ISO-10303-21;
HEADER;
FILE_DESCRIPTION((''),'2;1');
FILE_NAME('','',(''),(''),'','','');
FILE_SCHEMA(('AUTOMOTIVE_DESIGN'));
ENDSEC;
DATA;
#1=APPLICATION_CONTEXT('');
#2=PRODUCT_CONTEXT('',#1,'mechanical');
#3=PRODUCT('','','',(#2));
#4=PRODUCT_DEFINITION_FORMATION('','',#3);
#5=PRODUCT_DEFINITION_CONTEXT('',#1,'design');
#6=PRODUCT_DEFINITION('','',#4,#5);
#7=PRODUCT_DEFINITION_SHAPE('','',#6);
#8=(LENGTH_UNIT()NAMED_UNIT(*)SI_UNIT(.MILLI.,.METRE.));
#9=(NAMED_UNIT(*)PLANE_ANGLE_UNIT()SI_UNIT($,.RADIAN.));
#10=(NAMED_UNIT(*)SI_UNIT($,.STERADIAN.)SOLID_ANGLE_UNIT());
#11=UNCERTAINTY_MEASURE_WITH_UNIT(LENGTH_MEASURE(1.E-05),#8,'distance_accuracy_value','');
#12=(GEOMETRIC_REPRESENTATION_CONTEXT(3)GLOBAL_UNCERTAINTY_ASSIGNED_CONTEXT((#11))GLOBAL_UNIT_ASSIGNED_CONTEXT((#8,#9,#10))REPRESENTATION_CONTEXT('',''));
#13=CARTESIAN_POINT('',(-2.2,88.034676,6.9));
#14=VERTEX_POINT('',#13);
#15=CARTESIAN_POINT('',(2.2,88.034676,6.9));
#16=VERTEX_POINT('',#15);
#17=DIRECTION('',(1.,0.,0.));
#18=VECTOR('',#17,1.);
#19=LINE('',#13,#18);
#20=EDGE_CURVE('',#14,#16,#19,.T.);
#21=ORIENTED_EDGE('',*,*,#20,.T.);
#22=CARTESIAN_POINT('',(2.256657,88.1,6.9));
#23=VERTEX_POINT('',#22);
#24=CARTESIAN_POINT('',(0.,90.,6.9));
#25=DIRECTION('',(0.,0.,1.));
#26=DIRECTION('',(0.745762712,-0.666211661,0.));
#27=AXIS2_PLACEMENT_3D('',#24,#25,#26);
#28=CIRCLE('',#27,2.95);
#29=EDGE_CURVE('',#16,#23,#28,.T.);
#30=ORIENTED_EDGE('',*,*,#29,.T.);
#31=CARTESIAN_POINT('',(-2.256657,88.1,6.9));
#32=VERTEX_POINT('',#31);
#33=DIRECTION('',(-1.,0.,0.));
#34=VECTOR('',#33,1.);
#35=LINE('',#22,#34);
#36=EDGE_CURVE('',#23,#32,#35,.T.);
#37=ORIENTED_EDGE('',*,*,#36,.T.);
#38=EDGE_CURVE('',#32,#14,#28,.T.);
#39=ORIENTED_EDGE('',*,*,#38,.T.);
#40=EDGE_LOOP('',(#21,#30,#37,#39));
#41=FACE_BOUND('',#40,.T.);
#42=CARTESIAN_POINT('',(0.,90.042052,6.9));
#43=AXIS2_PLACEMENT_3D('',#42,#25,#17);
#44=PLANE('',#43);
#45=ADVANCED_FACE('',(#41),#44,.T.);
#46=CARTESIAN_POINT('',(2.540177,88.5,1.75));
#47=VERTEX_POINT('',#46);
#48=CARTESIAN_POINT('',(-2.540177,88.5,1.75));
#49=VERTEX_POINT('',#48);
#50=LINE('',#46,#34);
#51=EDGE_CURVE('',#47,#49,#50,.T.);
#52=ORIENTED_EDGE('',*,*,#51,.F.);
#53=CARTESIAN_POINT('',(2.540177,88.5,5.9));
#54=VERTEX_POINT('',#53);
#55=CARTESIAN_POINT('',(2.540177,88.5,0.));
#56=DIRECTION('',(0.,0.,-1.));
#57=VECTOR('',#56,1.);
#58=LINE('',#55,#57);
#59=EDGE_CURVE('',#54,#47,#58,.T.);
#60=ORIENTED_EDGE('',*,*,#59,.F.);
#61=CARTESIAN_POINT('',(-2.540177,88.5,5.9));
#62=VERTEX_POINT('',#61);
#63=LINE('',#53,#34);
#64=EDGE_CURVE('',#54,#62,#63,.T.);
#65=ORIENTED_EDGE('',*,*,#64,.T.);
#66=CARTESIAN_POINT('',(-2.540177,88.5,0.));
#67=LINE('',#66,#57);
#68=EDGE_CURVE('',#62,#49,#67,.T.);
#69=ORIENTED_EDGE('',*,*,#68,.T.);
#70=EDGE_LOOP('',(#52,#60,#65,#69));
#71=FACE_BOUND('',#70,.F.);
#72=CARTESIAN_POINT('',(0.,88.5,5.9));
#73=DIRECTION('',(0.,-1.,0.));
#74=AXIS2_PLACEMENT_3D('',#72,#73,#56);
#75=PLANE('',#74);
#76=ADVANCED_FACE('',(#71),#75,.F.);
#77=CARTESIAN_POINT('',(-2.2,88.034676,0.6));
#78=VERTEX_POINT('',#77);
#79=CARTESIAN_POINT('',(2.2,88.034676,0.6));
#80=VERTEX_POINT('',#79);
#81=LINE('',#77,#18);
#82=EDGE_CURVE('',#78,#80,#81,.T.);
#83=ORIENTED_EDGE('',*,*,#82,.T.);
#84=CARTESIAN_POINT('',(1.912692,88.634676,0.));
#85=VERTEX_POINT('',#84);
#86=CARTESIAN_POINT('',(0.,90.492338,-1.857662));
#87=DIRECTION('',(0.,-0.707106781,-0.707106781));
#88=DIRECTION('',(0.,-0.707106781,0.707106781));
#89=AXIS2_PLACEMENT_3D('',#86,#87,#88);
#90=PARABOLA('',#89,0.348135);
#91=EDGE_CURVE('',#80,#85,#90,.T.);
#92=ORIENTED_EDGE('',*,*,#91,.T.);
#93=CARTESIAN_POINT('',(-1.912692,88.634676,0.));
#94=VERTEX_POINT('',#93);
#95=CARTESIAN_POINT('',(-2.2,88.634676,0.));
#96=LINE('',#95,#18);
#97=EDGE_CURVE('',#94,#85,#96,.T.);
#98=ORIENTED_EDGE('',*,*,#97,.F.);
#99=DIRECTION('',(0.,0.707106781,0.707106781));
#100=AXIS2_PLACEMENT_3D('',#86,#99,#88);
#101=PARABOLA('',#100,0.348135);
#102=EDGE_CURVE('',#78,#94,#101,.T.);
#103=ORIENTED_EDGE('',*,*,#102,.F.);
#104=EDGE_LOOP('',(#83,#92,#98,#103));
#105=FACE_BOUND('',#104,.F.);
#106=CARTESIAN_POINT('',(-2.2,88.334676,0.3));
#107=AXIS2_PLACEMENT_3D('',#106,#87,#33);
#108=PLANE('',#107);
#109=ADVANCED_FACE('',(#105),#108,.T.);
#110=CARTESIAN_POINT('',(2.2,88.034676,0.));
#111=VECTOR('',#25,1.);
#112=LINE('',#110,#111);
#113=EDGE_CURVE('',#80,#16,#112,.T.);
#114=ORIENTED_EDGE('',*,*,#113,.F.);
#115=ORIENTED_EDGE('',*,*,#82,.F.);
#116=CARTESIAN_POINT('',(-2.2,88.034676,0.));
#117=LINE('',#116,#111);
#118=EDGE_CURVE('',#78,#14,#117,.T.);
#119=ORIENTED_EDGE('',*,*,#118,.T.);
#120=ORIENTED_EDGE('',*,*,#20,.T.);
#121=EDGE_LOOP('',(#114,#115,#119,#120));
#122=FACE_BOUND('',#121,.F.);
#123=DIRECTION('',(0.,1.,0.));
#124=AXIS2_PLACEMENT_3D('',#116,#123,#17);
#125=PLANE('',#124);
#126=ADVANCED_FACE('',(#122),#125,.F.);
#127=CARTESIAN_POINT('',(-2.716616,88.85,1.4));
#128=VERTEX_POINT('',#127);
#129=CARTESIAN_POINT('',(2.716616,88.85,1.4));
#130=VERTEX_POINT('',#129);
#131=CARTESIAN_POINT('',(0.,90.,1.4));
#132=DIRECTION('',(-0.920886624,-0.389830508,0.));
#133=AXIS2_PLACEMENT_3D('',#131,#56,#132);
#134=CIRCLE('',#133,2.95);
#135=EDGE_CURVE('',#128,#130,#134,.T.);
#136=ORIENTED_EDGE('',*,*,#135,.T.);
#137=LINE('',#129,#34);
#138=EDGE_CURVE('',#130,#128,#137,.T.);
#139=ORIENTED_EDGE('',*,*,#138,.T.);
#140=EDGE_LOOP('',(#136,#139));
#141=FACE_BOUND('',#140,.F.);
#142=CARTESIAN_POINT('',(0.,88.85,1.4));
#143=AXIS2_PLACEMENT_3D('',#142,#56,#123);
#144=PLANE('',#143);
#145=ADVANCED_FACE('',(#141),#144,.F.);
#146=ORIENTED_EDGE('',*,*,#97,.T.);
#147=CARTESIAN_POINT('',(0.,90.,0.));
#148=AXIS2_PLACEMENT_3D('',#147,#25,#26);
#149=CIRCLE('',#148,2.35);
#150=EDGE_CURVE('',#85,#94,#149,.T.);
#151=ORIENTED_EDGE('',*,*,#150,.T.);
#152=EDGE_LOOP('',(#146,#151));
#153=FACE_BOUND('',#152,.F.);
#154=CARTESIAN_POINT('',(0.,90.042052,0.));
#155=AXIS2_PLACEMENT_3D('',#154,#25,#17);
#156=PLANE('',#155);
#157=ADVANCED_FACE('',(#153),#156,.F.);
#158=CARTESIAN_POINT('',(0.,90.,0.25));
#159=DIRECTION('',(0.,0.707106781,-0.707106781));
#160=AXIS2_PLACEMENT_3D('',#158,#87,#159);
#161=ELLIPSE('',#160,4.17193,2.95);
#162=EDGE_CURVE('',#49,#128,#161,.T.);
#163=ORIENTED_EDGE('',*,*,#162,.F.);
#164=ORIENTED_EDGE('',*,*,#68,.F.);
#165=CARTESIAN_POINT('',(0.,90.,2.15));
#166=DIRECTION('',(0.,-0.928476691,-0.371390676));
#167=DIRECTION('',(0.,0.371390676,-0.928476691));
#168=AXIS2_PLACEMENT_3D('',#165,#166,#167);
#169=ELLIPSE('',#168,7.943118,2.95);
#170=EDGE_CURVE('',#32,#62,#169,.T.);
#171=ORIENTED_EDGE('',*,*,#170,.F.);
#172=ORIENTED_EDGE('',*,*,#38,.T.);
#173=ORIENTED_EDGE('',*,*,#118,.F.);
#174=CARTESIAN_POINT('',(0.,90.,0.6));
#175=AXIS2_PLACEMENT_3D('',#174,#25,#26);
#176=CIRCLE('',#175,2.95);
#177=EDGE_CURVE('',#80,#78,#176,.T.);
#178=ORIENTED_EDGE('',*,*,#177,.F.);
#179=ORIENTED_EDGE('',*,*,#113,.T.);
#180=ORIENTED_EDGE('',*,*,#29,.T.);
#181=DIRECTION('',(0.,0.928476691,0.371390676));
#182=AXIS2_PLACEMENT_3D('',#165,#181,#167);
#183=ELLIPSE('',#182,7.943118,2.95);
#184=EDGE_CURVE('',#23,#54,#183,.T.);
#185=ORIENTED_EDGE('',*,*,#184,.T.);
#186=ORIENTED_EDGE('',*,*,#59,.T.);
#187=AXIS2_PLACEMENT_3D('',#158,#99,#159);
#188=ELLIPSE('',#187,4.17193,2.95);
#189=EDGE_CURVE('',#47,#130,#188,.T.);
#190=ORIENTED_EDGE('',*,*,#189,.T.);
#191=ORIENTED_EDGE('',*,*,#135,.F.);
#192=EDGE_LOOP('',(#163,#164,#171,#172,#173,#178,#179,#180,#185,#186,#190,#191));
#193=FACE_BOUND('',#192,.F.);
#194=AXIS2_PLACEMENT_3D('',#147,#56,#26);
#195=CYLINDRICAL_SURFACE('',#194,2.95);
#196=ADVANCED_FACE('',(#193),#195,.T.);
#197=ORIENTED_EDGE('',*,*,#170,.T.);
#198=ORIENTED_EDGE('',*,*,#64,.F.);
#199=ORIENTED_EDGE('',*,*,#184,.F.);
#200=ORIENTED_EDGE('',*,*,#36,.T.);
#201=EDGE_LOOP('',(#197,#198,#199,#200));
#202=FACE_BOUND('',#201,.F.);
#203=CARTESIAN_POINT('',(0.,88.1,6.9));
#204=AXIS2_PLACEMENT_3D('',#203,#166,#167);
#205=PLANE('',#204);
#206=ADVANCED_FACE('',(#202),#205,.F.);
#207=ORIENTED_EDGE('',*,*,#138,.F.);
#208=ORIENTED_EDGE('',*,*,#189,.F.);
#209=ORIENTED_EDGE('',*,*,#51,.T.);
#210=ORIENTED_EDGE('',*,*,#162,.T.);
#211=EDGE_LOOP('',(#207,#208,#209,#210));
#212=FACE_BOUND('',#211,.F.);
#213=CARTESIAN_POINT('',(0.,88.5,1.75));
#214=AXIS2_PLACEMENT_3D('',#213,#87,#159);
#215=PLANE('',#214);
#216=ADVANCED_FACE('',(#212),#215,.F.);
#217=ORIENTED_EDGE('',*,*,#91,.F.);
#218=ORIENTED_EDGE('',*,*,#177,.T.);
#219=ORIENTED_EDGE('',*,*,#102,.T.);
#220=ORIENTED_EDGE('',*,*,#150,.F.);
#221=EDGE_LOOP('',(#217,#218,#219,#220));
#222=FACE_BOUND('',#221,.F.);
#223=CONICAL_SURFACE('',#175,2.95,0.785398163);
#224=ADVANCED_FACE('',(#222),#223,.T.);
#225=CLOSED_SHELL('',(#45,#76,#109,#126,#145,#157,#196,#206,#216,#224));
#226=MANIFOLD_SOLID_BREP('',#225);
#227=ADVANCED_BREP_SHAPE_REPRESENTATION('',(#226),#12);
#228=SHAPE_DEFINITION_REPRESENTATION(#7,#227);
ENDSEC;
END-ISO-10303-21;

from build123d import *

# Parameters (mm, degrees)
PAD007_DEPTH         = 6.9
POCKET005_DEPTH      = 2.951
POCKET005_DEPTH_BACK = 2.951
CHAMFER008_SIZE      = 0.6


with BuildPart() as part:
    # Sketch018 → Pad007 (new body)
    with BuildSketch(Plane.XY):
        with BuildLine():
            ThreePointArc((2.2, -1.9653244007), (0, 2.95), (-2.2, -1.9653244007))
            Line((-2.2, -1.9653244007), (2.2, -1.9653244007))
        make_face()
    extrude(amount=PAD007_DEPTH)

    # Sketch019 → Pocket005 (cut, two sides)
    with BuildSketch(Plane.YZ) as pocket005_sk:
        Polygon((-1.9, 6.9), (-1.5, 5.9), (-1.5, 1.75), (-1.15, 1.4), (5, 1.4), (5, 6.9), align=None)
    extrude(amount=-POCKET005_DEPTH, mode=Mode.SUBTRACT)
    extrude(pocket005_sk.sketch, amount=POCKET005_DEPTH_BACK, mode=Mode.SUBTRACT)

    # Chamfer008
    chamfer008_edges = [part.edges().sort_by_distance(p)[0] for p in [
        (0, 2.95, 0),
        (0, -1.965324, 0),
    ]]
    chamfer(chamfer008_edges, length=CHAMFER008_SIZE)


with BuildPart() as part_1:
    # Body063 placement: moved
    add(part.part.moved(Location((0, 78, 0))))


with BuildPart() as part_2:
    # Clone059 placement: moved
    add(part_1.part.moved(Location((0, -78, 0))))


with BuildPart() as part_3:
    # Body065 placement: moved
    add(part_2.part.moved(Location((0, 90, 0))))


solid = part_3.part
